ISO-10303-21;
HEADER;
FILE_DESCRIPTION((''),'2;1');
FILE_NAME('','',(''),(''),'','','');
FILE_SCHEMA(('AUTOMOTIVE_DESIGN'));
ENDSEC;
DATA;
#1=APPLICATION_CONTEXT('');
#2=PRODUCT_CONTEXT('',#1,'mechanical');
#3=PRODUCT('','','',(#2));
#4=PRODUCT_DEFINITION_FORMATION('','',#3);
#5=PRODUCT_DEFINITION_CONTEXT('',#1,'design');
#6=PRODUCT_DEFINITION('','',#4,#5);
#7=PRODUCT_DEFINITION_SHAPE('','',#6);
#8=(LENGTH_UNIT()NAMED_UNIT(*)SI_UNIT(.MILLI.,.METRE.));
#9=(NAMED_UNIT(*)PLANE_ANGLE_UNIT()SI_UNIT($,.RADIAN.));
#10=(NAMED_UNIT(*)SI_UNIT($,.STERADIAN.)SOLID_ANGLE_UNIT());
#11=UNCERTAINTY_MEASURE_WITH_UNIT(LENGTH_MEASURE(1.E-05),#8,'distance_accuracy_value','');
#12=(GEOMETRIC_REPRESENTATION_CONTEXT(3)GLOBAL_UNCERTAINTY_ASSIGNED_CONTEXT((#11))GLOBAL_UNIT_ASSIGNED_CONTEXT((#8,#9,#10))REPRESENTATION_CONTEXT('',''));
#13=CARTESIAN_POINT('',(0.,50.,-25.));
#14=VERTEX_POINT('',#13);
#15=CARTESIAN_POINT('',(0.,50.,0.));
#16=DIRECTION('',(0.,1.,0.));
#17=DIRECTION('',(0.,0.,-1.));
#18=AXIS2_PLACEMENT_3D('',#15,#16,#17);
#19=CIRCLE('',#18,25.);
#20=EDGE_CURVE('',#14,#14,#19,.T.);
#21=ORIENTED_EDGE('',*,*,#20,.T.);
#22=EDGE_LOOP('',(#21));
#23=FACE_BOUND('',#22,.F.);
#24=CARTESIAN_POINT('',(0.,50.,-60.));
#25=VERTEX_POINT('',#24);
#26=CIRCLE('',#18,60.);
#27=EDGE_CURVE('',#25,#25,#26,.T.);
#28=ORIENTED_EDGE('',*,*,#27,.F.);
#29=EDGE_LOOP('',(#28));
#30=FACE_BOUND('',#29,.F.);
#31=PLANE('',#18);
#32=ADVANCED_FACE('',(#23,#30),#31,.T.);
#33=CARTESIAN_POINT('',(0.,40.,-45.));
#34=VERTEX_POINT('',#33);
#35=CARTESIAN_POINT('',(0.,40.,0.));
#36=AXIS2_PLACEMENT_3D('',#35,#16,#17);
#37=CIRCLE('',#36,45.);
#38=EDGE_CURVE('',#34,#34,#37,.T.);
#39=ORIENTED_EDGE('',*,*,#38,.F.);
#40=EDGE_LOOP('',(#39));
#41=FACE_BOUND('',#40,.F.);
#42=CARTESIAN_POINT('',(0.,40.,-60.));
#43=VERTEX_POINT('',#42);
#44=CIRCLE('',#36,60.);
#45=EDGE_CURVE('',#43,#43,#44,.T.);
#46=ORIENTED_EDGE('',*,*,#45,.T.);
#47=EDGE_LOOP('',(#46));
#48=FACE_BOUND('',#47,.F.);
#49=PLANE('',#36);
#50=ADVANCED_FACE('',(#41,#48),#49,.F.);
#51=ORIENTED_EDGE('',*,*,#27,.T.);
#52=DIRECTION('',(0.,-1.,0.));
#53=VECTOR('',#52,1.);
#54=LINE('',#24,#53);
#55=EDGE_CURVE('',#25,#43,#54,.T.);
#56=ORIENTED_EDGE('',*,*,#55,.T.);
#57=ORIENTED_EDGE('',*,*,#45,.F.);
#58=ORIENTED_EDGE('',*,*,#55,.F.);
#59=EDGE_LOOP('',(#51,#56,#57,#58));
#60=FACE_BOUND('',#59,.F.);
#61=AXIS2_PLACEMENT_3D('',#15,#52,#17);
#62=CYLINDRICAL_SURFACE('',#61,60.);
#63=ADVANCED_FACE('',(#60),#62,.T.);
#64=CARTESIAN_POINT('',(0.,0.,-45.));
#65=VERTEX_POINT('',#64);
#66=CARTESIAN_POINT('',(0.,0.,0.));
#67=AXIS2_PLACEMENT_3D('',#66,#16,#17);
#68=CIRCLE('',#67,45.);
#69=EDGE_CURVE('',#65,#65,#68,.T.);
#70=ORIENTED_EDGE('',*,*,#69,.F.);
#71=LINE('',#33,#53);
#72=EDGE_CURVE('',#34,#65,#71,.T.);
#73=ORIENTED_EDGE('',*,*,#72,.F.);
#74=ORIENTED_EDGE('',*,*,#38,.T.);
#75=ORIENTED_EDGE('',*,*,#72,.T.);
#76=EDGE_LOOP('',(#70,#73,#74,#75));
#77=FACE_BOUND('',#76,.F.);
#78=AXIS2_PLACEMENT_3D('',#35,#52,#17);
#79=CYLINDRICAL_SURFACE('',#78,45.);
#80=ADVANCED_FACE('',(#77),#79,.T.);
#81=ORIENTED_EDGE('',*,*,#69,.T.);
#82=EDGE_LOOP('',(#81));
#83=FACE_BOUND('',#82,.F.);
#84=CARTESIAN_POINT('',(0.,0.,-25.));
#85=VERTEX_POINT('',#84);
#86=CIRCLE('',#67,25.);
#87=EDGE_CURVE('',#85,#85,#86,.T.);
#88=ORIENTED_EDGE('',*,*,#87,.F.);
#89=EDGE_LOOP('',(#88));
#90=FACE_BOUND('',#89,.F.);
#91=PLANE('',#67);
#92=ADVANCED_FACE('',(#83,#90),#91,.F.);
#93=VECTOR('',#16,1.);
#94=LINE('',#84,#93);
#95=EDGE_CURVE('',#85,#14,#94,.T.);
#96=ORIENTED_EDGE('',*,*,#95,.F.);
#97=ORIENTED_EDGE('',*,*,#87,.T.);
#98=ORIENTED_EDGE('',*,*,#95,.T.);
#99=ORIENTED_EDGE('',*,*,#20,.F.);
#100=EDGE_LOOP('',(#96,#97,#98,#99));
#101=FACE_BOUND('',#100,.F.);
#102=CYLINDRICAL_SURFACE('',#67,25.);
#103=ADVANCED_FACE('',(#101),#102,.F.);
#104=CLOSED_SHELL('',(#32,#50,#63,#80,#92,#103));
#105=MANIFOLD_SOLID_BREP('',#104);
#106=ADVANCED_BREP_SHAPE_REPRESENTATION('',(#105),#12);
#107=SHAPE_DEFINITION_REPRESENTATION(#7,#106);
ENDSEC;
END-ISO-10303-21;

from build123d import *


with BuildPart() as part:
    # Sketch1 → Revolve1 (revolve)
    with BuildSketch(Plane(origin=(0, 0, 0), x_dir=(0, 0, -1), z_dir=(1, 0, 0))):
        Polygon((25, 0), (25, 50), (60, 50), (60, 40), (45, 40), (45, 0), align=None)
    revolve(axis=Axis((0, 0, 0), (0, 1, 0)))


solid = part.part
